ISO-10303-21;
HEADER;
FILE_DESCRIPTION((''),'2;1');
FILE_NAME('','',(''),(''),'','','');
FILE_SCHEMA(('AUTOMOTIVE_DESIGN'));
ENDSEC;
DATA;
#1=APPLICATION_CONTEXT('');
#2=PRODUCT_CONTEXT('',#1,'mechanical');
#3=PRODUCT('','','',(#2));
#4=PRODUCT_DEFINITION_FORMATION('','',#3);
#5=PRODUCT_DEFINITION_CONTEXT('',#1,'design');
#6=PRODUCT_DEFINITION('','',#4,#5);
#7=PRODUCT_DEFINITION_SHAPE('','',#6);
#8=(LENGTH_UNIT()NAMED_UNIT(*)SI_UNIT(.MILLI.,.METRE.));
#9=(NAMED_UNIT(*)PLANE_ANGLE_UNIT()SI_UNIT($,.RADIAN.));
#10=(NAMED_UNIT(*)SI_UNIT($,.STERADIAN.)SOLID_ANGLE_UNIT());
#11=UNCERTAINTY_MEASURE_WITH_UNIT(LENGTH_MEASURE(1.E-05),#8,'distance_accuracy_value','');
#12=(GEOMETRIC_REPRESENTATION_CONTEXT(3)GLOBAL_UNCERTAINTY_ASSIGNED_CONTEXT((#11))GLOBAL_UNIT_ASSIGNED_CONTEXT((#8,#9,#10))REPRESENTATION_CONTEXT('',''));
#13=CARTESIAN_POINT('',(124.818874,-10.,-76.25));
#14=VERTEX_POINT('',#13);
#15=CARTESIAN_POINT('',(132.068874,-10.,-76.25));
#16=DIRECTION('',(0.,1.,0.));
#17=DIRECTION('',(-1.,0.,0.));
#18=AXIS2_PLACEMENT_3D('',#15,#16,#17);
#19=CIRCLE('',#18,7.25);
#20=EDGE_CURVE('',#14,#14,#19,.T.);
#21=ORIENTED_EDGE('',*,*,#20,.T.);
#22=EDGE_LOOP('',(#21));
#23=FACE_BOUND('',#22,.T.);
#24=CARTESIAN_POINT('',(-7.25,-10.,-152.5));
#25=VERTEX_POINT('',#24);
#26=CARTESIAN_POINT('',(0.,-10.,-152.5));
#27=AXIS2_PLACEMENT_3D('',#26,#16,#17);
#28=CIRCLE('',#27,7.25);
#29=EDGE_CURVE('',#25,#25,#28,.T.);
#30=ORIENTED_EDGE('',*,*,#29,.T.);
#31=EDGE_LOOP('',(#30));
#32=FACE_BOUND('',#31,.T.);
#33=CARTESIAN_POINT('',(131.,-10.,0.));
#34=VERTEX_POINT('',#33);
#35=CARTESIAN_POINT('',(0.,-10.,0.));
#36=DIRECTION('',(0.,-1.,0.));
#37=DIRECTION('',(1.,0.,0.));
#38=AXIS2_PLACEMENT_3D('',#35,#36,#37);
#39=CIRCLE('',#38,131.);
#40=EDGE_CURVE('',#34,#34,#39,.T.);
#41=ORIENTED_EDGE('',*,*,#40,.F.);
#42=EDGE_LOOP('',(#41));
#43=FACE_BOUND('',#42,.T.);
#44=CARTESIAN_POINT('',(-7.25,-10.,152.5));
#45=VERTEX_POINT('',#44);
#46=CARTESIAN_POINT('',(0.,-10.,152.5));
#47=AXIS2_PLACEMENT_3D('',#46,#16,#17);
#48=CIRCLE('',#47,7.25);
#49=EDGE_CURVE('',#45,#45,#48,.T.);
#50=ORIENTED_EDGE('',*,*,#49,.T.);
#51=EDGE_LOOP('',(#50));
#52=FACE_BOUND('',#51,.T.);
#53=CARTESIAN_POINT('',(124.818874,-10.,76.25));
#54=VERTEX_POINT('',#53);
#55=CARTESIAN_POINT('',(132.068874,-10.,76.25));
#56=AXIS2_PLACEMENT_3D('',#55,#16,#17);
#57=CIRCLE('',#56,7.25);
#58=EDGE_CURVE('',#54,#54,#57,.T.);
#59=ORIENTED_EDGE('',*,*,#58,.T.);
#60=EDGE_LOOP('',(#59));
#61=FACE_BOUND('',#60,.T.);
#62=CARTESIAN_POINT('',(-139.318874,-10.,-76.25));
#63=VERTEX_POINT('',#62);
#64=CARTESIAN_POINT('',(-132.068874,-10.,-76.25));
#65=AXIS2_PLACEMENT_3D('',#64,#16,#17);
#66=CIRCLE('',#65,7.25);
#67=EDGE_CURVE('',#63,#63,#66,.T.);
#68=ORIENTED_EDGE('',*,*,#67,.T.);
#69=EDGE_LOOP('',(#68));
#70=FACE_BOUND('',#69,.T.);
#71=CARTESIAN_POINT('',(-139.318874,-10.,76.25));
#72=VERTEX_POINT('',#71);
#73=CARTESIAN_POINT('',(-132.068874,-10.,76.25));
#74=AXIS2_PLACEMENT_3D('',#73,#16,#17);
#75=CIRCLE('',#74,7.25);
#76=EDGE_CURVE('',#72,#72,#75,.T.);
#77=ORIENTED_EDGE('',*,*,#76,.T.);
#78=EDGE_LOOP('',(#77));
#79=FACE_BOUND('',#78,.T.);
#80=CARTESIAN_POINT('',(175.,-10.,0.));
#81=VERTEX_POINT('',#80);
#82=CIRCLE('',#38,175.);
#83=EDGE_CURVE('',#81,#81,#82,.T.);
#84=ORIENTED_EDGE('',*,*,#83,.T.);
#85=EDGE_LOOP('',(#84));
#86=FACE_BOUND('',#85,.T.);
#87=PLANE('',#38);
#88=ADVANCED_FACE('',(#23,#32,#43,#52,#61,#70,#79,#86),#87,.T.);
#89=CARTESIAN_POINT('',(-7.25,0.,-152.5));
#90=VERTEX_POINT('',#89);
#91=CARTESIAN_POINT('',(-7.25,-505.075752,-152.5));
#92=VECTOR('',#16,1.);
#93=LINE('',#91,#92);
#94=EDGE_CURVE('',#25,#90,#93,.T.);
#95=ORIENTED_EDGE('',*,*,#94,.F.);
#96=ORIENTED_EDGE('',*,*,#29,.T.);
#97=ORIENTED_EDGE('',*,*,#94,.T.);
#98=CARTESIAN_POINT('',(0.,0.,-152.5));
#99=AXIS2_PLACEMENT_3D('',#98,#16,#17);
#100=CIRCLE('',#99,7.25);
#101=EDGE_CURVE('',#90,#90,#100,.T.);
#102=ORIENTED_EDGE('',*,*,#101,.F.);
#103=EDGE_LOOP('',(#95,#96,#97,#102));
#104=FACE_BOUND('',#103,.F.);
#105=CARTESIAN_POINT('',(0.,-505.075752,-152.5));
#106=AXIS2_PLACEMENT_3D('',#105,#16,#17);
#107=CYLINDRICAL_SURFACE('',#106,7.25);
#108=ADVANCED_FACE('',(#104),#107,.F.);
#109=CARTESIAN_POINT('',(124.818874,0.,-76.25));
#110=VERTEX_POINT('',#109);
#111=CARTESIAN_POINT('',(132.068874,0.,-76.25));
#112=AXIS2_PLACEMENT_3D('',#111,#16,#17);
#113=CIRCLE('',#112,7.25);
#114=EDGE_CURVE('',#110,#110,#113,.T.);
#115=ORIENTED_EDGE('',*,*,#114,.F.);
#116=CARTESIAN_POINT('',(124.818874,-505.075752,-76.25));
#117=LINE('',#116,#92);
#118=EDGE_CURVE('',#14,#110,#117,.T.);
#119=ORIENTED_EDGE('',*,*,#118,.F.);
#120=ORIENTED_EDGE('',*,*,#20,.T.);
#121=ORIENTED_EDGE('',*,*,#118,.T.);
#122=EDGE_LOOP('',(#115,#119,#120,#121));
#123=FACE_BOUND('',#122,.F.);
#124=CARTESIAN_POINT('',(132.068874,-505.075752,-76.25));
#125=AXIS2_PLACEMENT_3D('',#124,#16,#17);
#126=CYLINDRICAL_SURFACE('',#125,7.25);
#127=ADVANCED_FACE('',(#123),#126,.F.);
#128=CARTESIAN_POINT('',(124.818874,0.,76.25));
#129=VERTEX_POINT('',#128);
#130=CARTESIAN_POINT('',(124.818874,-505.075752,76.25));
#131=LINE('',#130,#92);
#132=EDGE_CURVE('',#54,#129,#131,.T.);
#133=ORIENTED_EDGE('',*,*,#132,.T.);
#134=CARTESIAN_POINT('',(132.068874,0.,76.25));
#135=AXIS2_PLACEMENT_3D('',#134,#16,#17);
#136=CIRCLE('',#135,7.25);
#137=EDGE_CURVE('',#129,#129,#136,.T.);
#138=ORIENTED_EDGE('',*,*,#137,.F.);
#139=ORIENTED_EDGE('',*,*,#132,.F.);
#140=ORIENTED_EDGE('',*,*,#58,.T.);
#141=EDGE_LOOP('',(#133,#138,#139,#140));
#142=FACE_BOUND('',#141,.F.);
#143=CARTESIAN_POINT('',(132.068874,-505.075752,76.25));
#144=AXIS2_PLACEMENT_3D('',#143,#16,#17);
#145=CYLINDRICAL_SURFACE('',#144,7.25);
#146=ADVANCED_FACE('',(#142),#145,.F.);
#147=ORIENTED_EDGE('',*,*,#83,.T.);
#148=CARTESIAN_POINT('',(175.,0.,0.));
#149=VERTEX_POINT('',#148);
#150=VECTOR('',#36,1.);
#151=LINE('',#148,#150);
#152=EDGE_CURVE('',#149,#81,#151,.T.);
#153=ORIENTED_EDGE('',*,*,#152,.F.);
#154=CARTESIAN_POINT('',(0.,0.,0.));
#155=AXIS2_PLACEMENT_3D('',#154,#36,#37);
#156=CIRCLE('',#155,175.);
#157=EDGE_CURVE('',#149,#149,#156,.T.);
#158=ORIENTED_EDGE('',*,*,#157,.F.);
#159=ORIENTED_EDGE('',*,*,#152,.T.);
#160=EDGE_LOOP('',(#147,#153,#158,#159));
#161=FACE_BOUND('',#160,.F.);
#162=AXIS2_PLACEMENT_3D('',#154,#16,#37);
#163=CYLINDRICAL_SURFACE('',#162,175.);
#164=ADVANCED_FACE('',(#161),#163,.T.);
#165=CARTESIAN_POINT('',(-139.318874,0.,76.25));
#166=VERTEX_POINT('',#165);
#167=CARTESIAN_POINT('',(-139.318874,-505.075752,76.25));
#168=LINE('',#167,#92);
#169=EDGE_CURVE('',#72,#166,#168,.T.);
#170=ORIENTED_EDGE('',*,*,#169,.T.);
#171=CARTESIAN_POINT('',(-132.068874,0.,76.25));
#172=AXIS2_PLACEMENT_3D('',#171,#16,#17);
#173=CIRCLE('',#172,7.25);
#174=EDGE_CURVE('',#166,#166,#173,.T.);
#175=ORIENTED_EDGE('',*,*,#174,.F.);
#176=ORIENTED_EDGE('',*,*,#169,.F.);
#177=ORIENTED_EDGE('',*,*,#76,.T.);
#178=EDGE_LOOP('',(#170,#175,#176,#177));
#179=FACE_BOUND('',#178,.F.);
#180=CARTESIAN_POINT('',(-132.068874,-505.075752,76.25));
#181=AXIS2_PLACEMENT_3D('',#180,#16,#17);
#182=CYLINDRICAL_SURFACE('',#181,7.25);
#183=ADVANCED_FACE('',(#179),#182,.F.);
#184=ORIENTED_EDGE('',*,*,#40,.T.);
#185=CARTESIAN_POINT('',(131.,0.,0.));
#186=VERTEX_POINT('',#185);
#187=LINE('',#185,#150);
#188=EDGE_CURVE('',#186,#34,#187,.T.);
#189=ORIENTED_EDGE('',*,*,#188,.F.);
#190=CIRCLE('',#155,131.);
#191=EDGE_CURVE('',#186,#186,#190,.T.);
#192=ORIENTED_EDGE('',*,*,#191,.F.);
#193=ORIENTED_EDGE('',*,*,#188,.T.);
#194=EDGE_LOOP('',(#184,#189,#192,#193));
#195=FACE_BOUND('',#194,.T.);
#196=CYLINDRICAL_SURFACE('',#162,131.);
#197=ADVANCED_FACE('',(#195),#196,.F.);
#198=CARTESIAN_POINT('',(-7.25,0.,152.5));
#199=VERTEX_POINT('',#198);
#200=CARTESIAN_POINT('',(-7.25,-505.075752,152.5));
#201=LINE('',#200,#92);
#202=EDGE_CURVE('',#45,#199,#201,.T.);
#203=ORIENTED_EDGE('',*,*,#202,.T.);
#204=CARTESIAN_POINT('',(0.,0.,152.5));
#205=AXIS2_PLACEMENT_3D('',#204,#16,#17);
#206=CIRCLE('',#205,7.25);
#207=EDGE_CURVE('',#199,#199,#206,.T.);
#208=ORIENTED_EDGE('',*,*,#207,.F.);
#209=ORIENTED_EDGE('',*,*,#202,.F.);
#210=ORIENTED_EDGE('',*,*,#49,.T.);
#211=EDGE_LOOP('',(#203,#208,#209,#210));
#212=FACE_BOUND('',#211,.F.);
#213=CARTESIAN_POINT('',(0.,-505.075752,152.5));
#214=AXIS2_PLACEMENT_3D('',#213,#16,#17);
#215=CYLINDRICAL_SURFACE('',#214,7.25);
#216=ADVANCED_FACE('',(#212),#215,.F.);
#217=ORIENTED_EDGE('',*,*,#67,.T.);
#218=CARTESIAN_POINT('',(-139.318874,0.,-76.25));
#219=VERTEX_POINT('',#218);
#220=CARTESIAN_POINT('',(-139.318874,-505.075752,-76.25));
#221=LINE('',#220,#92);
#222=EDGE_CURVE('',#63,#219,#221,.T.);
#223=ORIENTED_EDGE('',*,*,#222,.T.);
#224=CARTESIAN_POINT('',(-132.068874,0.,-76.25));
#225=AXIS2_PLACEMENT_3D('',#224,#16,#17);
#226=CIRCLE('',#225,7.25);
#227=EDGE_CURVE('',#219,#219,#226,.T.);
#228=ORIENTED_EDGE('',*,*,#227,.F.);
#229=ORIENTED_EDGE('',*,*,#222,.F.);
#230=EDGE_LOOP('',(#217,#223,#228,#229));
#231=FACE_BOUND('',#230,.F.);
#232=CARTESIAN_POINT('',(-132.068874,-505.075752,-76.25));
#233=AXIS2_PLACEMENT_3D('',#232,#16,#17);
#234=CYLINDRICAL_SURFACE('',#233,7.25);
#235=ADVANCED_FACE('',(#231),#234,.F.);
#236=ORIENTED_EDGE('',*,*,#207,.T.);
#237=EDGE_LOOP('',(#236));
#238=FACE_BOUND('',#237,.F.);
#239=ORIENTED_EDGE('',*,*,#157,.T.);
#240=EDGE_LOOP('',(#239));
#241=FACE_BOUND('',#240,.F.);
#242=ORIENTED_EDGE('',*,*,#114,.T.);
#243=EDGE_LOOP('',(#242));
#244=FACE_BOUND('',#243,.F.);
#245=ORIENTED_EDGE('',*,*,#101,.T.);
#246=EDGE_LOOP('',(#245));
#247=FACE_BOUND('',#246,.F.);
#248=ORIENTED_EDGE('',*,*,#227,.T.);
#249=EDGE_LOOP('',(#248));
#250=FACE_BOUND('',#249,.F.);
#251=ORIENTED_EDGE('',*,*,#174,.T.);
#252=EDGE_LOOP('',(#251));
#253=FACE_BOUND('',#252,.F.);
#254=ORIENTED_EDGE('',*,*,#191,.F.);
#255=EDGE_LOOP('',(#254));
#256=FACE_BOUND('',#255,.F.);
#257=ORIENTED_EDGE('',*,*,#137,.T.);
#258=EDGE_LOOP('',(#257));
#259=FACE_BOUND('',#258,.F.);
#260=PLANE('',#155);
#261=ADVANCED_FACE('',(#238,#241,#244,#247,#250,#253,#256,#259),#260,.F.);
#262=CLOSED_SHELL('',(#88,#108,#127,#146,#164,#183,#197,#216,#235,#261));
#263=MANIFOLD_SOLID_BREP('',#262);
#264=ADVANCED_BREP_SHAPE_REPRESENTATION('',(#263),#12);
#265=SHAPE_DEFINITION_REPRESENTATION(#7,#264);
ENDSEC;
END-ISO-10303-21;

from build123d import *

# Parameters (mm, degrees)
F0_R     = 175
F0_R_2   = 131
F1_DEPTH = 10
F3_D     = 14.5


with BuildPart() as f1:
    # F0 (on Front) → F1 (new body)
    with BuildSketch(Plane.XZ):
        Circle(F0_R)
        Circle(F0_R_2, mode=Mode.SUBTRACT)
    extrude(amount=F1_DEPTH)

    # F3 (through all)
    with Locations(Plane.XZ.offset(10)):
        with Locations((0, 152.5), (-132.0688740771, 76.25), (-132.0688740771, -76.25), (0, -152.5), (132.0688740771, -76.25), (132.0688740771, 76.25)):
            Hole(F3_D / 2)


solid = f1.part
